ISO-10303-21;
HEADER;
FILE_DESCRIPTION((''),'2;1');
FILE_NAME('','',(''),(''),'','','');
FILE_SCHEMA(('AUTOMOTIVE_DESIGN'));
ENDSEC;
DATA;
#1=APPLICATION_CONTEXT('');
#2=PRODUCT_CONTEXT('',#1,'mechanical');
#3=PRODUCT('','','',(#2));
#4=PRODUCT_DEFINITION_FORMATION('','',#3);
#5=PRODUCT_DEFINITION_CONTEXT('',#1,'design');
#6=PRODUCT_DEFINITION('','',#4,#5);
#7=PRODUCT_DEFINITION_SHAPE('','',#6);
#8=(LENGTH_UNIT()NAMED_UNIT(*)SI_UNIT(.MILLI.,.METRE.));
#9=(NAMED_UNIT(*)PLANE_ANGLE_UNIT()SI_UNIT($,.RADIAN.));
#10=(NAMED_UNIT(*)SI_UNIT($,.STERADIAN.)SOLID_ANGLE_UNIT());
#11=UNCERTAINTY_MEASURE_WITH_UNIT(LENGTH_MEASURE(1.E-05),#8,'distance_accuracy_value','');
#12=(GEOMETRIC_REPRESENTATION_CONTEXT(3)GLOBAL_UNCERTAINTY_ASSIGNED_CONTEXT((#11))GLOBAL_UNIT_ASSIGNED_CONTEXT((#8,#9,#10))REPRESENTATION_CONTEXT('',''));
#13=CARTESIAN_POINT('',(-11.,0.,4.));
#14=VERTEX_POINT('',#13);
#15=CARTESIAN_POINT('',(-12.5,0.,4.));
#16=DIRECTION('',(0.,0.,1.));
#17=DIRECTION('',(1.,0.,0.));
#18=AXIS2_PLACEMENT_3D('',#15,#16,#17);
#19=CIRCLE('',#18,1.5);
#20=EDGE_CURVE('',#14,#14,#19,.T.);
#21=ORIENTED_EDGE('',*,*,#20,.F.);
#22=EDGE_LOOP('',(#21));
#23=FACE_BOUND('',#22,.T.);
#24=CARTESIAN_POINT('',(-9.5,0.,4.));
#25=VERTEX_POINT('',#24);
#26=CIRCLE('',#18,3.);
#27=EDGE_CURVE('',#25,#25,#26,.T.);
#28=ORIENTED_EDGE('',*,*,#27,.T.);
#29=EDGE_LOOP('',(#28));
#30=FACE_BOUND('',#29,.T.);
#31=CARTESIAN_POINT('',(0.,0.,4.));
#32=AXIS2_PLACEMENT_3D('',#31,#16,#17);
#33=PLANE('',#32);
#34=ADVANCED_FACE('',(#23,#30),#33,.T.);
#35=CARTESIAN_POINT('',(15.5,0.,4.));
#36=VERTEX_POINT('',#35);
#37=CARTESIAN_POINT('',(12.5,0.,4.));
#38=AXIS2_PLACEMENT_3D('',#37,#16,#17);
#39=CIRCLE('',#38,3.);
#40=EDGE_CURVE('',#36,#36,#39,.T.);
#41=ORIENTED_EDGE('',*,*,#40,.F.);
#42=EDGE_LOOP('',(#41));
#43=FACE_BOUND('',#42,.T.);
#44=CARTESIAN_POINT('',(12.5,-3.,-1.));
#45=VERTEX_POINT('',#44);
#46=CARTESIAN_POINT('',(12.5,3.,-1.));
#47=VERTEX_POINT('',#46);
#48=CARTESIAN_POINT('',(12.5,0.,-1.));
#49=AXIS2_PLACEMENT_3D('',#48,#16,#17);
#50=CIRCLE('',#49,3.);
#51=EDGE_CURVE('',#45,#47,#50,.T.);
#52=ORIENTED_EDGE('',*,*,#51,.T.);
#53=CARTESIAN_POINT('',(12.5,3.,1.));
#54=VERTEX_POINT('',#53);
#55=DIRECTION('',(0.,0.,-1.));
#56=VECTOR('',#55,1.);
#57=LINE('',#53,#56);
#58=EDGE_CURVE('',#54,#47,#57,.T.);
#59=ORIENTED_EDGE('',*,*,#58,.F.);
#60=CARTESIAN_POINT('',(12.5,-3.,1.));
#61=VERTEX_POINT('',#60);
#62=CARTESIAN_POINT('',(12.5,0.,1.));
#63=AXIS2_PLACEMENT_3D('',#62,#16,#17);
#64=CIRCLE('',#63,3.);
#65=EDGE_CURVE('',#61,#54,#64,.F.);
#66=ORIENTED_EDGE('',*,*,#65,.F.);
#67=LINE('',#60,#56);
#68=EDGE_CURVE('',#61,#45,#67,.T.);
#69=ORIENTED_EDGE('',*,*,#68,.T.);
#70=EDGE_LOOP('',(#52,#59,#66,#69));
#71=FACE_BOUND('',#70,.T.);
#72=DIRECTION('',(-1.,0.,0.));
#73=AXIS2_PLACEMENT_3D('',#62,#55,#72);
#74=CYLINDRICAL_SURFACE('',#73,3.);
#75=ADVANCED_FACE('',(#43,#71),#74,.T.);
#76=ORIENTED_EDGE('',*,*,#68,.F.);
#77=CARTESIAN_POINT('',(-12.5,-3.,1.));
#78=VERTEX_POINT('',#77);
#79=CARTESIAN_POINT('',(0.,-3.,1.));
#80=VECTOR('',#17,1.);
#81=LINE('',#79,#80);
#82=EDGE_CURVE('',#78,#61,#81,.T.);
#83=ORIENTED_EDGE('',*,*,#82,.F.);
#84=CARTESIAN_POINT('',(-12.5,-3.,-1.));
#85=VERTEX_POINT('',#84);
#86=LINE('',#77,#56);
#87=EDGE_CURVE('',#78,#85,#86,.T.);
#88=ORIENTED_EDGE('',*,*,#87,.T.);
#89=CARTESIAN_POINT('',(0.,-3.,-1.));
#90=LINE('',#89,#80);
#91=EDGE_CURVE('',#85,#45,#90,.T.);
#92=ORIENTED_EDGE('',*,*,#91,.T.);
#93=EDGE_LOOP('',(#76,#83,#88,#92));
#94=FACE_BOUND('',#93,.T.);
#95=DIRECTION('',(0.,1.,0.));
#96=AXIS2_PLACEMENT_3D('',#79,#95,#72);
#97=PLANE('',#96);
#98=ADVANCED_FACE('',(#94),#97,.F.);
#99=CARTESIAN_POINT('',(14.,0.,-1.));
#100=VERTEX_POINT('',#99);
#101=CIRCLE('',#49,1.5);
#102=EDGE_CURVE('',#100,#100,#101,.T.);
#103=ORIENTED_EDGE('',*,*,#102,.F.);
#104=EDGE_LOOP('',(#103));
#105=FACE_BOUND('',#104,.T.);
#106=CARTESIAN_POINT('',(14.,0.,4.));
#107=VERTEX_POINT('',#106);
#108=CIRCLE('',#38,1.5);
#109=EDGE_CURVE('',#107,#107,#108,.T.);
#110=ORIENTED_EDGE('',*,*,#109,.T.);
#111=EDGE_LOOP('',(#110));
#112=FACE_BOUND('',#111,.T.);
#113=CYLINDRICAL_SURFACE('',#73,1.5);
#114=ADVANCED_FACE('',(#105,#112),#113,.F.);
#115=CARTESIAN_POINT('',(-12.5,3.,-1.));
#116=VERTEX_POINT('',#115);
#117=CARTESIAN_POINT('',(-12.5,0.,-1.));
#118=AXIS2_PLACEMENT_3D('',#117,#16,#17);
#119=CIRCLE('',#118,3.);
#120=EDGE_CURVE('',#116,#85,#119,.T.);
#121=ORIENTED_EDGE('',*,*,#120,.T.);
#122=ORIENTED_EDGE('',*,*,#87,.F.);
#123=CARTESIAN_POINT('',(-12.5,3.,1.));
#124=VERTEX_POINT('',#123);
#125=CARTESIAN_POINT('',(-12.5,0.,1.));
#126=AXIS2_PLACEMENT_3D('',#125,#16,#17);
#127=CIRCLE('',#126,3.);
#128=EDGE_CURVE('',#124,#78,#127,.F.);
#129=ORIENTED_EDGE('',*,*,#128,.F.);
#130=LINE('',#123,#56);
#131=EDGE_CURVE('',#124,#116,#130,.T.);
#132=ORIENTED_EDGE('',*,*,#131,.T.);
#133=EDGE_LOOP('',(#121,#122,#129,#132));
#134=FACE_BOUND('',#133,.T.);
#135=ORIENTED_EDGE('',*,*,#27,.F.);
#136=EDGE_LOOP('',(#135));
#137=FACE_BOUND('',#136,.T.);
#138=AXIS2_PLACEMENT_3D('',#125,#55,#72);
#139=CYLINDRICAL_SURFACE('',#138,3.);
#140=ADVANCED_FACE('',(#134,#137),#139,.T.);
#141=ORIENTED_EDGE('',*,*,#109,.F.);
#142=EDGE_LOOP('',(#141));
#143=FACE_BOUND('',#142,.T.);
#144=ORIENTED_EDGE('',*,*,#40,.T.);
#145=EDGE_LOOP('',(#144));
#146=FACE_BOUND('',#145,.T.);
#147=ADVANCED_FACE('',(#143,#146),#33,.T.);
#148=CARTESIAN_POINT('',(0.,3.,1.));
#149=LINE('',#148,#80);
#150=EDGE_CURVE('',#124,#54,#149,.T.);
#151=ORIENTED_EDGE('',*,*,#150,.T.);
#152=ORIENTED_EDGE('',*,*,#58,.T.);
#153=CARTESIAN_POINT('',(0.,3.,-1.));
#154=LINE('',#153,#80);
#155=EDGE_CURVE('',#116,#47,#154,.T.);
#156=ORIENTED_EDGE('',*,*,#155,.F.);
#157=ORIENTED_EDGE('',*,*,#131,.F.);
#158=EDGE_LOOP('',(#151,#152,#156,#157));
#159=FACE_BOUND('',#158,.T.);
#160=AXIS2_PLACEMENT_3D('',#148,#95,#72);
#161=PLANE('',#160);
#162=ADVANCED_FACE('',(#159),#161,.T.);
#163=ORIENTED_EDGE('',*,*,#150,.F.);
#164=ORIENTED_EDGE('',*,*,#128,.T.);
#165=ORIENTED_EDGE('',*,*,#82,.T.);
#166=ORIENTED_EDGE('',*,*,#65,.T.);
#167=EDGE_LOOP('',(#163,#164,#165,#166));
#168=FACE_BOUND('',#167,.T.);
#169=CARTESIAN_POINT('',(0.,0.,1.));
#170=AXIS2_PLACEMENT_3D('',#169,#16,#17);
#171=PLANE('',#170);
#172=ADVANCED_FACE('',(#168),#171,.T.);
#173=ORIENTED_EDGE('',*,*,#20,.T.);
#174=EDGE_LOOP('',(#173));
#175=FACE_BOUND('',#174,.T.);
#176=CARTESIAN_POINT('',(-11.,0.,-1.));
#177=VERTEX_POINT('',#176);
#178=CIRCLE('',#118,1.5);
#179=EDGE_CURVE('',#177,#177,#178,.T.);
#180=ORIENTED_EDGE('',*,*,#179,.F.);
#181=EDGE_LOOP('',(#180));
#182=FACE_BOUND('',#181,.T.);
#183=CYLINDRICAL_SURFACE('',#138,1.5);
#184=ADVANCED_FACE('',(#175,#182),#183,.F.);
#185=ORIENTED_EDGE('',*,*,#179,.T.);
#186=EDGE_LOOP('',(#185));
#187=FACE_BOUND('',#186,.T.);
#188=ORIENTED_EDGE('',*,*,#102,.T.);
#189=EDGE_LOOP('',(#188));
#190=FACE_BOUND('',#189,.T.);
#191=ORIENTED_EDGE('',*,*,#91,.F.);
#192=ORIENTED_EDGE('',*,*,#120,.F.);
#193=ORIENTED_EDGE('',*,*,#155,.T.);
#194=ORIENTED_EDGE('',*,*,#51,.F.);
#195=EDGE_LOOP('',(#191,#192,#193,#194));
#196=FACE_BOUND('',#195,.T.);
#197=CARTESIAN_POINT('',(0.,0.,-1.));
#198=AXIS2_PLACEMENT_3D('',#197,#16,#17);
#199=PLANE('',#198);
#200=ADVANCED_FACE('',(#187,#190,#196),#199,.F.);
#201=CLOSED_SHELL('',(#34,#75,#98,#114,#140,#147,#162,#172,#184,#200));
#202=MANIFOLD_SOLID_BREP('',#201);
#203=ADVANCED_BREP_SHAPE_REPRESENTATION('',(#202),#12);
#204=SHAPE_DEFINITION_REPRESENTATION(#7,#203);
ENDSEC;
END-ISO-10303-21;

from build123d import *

# Parameters (mm, degrees)
SKETCH_1_R      = 1.5
EXTRUDE_1_DEPTH = 1
SKETCH_1_4_R    = 3
SKETCH_1_4_R_2  = 1.5
EXTRUDE_3_DEPTH = 4


with BuildPart() as part:
    # Эскиз1 → Бобышка-Вытянуть1 (new, symmetric)
    with BuildSketch(Plane.XY):
        with BuildLine():
            Line((12.5, 3), (-12.5, 3))
            ThreePointArc((-12.5, 3), (-15.5, 0), (-12.5, -3))
            Line((-12.5, -3), (12.5, -3))
            ThreePointArc((12.5, -3), (15.5, 0), (12.5, 3))
        make_face()
        with Locations((12.5, 0)):
            Circle(SKETCH_1_R, mode=Mode.SUBTRACT)
        with Locations((-12.5, 0)):
            Circle(SKETCH_1_R, mode=Mode.SUBTRACT)
    extrude(amount=EXTRUDE_1_DEPTH, both=True)

    # Эскиз1<4> → Бобышка-Вытянуть3 (add)
    # profile 1 of 2: a face of its own
    with BuildSketch(Plane.XY):
        with Locations((-12.5, 0)):
            Circle(SKETCH_1_4_R)
        with Locations((-12.5, 0)):
            Circle(SKETCH_1_4_R_2, mode=Mode.SUBTRACT)
    # profile 2 of 2: a face of its own
    with BuildSketch(Plane.XY):
        with Locations((12.5, 0)):
            Circle(SKETCH_1_4_R)
        with Locations((12.5, 0)):
            Circle(SKETCH_1_4_R_2, mode=Mode.SUBTRACT)
    extrude(amount=EXTRUDE_3_DEPTH)


solid = part.part
